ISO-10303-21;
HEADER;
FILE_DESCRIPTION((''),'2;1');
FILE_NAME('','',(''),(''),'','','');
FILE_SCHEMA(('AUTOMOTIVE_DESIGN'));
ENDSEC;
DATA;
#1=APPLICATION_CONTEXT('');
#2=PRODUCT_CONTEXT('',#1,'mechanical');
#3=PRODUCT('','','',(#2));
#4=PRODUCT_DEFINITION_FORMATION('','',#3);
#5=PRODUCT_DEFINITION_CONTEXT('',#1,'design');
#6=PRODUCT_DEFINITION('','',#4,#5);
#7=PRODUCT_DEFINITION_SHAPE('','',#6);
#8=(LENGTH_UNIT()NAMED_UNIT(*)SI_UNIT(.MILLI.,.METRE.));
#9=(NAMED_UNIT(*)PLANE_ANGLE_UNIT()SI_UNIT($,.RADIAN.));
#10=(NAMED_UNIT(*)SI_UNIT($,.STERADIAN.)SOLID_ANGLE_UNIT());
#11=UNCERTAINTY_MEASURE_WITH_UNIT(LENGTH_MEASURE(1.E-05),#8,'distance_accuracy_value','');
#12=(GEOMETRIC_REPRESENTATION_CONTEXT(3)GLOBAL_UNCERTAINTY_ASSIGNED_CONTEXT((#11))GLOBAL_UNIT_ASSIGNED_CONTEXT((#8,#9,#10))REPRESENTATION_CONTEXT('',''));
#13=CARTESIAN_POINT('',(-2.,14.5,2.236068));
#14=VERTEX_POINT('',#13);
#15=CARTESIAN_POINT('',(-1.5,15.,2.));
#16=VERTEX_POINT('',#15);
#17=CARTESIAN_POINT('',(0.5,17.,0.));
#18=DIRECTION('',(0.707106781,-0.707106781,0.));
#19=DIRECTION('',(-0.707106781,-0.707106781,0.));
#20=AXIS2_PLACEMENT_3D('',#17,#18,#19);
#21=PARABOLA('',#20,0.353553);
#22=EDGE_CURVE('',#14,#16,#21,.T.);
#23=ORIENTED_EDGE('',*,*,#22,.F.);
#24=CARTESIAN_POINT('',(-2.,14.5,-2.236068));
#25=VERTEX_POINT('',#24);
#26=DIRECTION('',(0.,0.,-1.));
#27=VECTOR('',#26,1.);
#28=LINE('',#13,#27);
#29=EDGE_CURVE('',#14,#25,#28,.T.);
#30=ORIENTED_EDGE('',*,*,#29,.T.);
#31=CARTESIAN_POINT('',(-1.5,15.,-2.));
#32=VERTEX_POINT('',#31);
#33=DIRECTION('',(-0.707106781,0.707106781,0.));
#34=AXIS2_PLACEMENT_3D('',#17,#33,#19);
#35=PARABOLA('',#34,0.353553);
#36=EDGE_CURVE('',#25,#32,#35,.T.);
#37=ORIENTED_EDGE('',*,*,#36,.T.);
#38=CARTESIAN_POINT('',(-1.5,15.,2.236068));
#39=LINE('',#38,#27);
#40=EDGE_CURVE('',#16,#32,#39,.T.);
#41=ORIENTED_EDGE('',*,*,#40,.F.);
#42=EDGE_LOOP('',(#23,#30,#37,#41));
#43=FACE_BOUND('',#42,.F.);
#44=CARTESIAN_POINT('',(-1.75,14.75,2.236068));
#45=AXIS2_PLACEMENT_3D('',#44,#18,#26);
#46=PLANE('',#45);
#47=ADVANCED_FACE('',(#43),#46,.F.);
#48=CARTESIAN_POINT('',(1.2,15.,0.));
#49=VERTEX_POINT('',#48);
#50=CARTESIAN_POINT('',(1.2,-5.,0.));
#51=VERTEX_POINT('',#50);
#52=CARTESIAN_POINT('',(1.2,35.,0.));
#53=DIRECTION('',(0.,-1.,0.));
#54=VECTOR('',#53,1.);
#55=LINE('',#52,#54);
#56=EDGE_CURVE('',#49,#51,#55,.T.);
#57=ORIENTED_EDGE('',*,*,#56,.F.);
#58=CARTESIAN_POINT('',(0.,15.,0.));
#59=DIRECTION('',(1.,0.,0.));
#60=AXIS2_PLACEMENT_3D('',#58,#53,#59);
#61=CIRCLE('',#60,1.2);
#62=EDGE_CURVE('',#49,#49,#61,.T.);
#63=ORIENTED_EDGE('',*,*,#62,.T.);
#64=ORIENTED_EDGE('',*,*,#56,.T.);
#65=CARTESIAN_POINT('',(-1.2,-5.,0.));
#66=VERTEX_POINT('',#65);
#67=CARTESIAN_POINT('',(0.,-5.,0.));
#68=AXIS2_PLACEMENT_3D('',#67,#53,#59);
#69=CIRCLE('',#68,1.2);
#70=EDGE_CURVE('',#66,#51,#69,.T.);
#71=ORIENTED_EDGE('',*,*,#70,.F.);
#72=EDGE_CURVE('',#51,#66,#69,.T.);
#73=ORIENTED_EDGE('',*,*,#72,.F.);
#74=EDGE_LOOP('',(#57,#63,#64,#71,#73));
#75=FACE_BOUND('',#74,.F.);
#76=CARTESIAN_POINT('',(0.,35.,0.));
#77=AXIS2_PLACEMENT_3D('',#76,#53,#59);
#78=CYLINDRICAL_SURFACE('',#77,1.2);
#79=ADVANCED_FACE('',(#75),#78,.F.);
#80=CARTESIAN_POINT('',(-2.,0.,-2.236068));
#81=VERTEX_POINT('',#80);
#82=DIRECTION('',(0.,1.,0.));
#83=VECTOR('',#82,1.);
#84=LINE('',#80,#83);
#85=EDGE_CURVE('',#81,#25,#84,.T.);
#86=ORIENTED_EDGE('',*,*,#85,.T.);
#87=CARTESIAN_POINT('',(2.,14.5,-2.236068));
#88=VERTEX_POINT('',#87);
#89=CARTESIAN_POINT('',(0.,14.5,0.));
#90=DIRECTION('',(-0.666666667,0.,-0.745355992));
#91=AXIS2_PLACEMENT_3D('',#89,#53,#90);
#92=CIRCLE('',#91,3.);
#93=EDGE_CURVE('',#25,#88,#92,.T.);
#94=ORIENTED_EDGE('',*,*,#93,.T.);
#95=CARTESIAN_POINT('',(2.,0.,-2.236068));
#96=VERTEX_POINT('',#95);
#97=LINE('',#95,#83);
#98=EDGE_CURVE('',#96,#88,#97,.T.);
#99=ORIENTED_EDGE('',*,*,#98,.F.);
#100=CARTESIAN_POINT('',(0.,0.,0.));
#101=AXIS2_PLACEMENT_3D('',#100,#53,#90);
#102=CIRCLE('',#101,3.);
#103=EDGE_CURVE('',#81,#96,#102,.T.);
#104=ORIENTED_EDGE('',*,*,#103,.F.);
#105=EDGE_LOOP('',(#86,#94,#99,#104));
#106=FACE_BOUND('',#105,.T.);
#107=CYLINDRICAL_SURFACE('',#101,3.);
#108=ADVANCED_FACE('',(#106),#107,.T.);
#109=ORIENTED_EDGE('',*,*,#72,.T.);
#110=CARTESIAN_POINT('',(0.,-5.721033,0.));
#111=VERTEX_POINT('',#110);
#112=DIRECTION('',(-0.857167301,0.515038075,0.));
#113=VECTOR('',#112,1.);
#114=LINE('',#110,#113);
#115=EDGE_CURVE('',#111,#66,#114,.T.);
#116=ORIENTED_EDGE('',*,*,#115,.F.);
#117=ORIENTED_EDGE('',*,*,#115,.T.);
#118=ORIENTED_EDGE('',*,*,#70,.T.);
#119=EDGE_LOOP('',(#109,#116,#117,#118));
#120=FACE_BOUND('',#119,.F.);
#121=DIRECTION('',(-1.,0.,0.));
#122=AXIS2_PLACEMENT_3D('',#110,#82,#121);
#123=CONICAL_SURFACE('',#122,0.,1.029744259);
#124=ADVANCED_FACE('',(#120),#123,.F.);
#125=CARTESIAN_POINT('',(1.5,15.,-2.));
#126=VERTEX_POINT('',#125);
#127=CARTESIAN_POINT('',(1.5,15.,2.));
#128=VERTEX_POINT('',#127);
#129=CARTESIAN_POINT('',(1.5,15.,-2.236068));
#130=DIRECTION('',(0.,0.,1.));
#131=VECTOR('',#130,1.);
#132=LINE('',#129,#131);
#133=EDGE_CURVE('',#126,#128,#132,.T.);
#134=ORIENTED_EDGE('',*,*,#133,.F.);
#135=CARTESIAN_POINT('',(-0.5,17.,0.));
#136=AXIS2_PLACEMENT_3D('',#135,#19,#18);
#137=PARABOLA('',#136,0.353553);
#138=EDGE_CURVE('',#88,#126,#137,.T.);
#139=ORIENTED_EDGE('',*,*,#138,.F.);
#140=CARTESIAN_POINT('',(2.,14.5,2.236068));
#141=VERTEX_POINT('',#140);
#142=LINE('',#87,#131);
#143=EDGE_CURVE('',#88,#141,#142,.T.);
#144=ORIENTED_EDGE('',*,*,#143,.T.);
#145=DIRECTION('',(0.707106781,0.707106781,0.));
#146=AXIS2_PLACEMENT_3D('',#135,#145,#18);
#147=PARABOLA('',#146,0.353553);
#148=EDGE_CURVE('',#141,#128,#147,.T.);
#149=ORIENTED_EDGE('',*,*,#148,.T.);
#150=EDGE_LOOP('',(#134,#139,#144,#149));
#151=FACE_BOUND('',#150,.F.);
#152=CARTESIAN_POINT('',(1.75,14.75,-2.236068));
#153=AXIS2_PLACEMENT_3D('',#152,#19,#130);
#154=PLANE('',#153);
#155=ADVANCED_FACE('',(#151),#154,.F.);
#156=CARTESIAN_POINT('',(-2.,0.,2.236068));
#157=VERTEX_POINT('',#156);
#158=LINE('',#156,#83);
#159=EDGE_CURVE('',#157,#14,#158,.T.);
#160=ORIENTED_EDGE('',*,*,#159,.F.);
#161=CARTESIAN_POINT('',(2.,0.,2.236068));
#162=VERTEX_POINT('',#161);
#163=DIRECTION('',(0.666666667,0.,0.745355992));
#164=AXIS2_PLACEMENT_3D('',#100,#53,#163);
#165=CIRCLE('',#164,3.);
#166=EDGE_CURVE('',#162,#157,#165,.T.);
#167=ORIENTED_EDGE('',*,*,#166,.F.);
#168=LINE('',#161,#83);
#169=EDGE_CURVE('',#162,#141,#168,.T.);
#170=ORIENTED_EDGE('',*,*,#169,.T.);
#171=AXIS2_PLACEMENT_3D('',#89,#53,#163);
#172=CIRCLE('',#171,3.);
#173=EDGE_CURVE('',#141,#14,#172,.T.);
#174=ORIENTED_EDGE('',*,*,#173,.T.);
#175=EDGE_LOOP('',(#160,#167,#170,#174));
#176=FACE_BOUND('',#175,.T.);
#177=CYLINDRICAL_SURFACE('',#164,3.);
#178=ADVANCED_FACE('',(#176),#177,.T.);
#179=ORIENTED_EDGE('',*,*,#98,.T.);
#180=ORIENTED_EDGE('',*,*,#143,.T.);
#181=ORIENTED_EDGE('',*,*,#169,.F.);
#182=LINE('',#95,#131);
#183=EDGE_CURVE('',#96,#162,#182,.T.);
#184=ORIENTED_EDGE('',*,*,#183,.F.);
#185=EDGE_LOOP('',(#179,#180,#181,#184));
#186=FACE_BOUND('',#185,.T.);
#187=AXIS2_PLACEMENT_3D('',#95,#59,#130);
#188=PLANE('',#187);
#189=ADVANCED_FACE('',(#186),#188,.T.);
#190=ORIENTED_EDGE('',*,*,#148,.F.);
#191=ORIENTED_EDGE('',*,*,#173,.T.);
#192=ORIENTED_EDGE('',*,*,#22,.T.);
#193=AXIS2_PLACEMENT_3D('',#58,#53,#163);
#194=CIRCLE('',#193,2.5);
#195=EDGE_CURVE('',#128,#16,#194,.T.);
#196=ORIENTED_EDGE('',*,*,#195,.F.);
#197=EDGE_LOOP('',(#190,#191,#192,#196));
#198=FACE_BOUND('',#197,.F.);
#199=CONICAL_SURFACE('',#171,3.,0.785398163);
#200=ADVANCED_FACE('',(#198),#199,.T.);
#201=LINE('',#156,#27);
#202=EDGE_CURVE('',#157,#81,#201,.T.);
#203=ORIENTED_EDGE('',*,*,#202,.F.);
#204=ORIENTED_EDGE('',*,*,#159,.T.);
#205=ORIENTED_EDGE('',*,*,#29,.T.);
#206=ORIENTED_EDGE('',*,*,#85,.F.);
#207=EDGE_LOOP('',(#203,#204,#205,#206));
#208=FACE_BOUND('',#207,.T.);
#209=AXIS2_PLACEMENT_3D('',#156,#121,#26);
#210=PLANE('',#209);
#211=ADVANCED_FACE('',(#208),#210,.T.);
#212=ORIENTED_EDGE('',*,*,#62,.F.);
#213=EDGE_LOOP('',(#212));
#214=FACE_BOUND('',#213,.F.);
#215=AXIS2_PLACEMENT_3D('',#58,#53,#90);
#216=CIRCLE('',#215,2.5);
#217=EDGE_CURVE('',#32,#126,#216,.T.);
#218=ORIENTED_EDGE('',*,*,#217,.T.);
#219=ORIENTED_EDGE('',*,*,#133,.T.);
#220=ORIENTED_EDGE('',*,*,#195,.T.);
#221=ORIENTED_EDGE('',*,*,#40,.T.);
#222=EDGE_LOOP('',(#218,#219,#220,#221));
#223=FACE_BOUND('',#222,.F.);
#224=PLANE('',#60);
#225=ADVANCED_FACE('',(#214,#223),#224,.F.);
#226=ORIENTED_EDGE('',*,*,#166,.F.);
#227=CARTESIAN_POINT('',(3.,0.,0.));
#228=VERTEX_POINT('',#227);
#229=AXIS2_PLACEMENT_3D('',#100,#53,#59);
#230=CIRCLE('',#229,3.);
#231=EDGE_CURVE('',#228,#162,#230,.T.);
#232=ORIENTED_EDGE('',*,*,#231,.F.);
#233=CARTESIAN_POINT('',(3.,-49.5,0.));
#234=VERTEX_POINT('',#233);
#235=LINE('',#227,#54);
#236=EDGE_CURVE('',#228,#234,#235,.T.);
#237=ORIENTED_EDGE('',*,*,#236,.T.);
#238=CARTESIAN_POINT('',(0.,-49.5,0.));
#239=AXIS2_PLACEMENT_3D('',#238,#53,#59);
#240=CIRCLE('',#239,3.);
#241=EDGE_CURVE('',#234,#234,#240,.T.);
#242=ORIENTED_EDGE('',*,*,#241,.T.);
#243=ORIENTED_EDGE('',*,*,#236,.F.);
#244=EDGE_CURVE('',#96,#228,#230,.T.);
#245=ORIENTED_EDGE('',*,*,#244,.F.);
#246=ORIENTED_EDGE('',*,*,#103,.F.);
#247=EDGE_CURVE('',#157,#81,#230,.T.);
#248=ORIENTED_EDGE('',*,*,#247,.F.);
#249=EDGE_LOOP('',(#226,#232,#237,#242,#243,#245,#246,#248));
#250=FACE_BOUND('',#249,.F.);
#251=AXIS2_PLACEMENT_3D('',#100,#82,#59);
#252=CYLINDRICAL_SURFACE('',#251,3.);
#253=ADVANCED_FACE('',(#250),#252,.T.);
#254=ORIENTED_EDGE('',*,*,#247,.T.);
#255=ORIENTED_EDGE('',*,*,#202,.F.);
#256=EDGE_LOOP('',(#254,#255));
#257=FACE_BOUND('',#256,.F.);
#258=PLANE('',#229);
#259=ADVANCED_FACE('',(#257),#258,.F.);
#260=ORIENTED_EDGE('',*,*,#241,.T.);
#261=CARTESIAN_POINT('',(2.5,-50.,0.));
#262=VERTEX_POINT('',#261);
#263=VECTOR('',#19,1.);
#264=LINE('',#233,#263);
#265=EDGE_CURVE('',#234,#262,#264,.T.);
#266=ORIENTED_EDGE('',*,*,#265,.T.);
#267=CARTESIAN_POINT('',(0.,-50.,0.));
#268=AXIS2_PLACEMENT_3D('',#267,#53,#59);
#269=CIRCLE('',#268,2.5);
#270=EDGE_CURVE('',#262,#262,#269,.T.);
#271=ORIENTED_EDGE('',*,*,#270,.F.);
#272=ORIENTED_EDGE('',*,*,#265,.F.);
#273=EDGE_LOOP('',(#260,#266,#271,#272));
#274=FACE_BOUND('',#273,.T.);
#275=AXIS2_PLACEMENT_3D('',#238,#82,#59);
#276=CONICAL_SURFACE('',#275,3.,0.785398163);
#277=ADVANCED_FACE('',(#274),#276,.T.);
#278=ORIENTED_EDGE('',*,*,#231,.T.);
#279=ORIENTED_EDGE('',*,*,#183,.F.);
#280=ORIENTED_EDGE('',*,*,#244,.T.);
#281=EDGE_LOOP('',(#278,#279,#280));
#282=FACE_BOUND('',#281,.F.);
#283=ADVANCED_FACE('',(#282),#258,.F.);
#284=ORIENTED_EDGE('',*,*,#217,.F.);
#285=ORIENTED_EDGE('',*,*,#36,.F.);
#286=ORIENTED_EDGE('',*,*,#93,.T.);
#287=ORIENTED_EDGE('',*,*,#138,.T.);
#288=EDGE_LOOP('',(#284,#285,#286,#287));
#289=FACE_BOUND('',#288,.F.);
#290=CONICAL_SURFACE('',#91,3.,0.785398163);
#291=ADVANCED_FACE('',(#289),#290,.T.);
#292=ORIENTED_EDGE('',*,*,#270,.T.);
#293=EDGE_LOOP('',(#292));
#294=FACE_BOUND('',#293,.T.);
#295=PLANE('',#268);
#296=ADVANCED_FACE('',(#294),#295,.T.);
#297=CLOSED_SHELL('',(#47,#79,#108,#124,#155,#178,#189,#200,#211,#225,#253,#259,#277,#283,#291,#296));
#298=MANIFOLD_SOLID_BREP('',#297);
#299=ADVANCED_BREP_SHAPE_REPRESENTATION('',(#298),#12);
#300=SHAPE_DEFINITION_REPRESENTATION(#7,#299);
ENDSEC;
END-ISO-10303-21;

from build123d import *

# Parameters (mm, degrees)
F1_DEPTH = 15
F2_R     = 3
F3_DEPTH = 50
F4_SIZE  = 0.5
F7_D     = 2.4
F7_DEPTH = 20
F7_TIP   = 0.7210327428


with BuildPart() as f1:
    # F0 (on Front) → F1 (new body)
    with BuildSketch(Plane.XZ):
        with BuildLine():
            Line((-2, 2.2360679775), (-2, -2.2360679775))
            ThreePointArc((-2, -2.2360679775), (0, -3), (2, -2.2360679775))
            Line((2, -2.2360679775), (2, 2.2360679775))
            ThreePointArc((2, 2.2360679775), (0, 3), (-2, 2.2360679775))
        make_face()
    extrude(amount=-F1_DEPTH)

    # F2 (on Front) → F3 (join)
    with BuildSketch(Plane.XZ):
        Circle(F2_R)
    extrude(amount=F3_DEPTH)

    # F4
    f4_edges = [f1.edges().sort_by_distance(p)[0] for p in [
        (-3, -50, 0),
        (0, 15, 3),
        (-2, 15, 0),
        (0, 15, -3),
        (2, 15, 0),
    ]]
    chamfer(f4_edges, length=F4_SIZE)

    # F7
    with Locations(Plane(origin=(0, 15, 0), x_dir=(-1, 0, 0), z_dir=(0, 1, 0))):
        with Locations((0, 0)):
            Hole(F7_D / 2, depth=F7_DEPTH)
            with Locations((0, 0, -(F7_DEPTH + F7_TIP / 2))):  # 118° drill point
                Cone(0, F7_D / 2, F7_TIP, mode=Mode.SUBTRACT)


solid = f1.part
